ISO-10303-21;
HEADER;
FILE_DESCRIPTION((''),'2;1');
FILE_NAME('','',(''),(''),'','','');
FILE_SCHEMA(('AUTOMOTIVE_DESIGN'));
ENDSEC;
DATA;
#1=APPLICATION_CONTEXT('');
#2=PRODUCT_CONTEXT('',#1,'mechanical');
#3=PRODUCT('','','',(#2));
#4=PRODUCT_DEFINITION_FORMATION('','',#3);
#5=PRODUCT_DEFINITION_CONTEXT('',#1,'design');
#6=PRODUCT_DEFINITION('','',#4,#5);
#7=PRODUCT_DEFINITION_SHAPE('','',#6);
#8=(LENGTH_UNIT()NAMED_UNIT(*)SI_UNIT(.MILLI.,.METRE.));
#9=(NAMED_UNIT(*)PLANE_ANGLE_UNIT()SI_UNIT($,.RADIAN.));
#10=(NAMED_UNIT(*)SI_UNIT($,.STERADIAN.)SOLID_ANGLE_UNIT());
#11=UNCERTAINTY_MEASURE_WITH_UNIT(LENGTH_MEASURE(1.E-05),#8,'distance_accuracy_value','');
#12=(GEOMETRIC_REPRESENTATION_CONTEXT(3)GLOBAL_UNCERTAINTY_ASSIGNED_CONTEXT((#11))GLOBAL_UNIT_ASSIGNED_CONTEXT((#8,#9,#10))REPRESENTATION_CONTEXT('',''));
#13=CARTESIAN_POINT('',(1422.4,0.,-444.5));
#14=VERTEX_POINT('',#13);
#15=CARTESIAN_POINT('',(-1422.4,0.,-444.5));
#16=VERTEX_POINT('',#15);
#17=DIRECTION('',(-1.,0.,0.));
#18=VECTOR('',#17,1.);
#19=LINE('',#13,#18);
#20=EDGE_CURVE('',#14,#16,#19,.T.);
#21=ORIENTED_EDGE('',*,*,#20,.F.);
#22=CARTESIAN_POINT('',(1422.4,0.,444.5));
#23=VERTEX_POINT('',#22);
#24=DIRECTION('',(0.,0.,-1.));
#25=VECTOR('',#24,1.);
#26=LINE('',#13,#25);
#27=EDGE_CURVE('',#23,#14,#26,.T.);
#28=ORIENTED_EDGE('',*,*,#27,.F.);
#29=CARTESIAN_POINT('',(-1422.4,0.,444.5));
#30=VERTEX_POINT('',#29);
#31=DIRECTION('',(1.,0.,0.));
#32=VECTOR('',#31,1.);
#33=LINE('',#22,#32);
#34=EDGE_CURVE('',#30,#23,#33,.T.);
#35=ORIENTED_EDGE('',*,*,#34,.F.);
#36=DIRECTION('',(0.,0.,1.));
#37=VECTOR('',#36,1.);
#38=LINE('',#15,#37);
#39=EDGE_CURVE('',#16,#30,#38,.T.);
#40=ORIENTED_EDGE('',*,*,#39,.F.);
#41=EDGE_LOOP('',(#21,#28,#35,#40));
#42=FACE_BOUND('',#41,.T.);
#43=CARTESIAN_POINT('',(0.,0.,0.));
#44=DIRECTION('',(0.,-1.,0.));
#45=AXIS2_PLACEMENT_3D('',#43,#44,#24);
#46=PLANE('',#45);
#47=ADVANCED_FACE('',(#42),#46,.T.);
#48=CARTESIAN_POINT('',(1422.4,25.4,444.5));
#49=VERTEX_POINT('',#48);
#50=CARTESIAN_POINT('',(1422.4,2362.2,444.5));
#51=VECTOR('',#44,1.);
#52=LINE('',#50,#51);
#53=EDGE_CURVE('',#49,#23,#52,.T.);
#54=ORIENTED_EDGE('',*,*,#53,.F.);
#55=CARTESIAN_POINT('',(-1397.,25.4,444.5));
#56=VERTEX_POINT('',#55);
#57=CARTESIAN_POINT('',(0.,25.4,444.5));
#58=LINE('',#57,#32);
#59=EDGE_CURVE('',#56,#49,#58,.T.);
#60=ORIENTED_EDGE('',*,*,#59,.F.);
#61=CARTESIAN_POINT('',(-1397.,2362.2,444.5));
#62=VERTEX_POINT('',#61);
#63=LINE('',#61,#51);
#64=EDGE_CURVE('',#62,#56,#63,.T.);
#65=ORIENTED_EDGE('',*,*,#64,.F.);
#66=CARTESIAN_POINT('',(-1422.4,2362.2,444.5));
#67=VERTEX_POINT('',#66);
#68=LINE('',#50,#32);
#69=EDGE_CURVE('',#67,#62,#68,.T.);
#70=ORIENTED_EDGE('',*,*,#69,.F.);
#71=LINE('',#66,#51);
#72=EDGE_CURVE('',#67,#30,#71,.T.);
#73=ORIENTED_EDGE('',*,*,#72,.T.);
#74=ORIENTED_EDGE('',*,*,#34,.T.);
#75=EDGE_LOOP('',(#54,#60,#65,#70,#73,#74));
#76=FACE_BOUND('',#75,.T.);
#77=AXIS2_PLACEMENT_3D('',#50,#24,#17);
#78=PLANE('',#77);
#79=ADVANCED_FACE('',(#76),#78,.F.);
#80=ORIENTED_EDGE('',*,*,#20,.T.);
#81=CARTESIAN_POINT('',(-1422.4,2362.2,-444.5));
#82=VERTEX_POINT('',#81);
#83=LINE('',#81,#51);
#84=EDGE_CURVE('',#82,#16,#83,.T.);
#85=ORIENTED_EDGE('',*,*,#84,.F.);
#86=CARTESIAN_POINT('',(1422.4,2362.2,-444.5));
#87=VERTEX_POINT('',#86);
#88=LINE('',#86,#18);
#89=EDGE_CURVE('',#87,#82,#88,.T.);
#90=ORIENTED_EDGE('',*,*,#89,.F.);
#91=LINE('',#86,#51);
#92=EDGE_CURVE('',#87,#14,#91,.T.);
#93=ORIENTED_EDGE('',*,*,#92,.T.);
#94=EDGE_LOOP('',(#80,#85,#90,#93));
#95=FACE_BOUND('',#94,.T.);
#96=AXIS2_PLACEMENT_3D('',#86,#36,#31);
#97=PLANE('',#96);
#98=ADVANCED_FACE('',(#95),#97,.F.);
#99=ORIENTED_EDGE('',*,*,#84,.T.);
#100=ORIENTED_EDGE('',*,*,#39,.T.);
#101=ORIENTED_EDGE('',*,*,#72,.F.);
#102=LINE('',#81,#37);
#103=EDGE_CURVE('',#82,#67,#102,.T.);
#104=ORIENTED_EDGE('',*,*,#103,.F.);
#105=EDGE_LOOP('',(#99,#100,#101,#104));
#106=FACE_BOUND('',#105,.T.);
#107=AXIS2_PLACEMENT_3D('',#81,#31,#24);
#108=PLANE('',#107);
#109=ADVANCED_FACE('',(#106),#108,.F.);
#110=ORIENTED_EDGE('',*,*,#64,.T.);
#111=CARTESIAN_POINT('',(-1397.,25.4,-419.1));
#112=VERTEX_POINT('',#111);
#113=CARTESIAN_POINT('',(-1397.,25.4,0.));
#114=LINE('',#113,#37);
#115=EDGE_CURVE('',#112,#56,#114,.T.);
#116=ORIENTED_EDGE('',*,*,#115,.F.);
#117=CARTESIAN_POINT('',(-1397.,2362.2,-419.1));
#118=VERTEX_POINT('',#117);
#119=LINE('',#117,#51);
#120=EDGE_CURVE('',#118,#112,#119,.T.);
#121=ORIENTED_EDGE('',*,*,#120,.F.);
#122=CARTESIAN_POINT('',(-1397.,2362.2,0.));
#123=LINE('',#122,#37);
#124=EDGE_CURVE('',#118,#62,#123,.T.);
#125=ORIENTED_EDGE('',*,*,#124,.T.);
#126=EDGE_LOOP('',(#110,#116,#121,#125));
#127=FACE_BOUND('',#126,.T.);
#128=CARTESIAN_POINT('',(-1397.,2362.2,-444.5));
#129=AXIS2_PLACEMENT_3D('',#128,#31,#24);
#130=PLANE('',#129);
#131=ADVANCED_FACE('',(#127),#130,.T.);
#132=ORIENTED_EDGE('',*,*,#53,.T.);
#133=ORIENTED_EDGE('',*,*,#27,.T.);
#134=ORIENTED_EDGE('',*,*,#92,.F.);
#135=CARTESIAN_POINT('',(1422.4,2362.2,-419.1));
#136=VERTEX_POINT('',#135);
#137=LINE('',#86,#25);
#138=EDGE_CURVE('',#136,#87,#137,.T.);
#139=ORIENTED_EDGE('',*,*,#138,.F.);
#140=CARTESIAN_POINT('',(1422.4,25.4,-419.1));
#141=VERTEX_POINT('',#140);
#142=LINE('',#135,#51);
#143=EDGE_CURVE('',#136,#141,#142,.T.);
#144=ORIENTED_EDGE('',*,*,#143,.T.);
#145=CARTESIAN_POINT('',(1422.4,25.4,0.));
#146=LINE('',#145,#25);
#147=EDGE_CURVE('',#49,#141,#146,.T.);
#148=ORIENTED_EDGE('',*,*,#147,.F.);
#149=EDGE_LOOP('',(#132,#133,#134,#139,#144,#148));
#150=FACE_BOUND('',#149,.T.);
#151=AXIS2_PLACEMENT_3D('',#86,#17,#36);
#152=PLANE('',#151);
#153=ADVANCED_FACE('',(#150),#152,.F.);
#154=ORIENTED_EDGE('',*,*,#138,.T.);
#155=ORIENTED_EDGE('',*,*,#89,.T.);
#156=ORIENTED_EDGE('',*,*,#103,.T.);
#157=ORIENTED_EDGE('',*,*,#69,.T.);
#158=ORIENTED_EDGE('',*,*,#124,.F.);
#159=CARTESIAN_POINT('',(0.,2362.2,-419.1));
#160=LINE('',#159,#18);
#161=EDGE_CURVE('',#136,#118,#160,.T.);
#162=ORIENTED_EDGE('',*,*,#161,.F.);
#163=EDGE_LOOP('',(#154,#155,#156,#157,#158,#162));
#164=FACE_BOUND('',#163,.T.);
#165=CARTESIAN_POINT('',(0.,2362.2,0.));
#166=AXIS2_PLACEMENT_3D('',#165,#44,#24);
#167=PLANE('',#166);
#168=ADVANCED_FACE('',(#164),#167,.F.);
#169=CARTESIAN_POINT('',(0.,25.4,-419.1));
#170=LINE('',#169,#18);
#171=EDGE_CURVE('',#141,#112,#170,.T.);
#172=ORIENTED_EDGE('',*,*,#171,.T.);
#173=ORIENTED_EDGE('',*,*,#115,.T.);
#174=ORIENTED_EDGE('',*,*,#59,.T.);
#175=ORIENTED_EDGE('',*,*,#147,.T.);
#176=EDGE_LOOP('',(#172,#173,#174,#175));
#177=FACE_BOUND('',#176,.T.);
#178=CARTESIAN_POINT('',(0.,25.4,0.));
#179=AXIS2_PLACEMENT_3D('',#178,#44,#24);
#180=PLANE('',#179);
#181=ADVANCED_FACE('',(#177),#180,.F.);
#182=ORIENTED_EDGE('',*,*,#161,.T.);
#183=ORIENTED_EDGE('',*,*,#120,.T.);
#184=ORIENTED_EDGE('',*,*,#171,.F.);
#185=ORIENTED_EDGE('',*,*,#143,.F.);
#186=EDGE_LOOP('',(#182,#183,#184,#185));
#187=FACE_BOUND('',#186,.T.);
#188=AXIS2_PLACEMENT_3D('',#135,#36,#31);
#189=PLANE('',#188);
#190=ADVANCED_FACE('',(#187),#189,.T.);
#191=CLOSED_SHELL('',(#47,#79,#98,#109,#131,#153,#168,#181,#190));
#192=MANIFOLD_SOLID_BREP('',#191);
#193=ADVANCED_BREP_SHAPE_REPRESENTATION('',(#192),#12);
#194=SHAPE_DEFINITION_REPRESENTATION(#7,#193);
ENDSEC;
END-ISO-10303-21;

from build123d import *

# Parameters (mm, degrees)
SKETCH1_W           = 2844.8
SKETCH1_H           = 889
BOSS_EXTRUDE1_DEPTH = 2362.2
SHELL1_T            = -25.4


with BuildPart() as part:
    # Sketch1 → Boss-Extrude1 (new body)
    with BuildSketch(Plane(origin=(0, 0, 0), x_dir=(1, 0, 0), z_dir=(0, 1, 0))):
        Rectangle(SKETCH1_W, SKETCH1_H)
    extrude(amount=BOSS_EXTRUDE1_DEPTH)

    # Shell1
    shell1_openings = [part.faces().sort_by_distance(p)[0] for p in [
        (0, 2362.2, 0),
        (1422.4, 1181.1, 0),
        (0, 1181.1, 444.5),
    ]]
    offset(amount=SHELL1_T, openings=shell1_openings, kind=Kind.INTERSECTION)


solid = part.part
